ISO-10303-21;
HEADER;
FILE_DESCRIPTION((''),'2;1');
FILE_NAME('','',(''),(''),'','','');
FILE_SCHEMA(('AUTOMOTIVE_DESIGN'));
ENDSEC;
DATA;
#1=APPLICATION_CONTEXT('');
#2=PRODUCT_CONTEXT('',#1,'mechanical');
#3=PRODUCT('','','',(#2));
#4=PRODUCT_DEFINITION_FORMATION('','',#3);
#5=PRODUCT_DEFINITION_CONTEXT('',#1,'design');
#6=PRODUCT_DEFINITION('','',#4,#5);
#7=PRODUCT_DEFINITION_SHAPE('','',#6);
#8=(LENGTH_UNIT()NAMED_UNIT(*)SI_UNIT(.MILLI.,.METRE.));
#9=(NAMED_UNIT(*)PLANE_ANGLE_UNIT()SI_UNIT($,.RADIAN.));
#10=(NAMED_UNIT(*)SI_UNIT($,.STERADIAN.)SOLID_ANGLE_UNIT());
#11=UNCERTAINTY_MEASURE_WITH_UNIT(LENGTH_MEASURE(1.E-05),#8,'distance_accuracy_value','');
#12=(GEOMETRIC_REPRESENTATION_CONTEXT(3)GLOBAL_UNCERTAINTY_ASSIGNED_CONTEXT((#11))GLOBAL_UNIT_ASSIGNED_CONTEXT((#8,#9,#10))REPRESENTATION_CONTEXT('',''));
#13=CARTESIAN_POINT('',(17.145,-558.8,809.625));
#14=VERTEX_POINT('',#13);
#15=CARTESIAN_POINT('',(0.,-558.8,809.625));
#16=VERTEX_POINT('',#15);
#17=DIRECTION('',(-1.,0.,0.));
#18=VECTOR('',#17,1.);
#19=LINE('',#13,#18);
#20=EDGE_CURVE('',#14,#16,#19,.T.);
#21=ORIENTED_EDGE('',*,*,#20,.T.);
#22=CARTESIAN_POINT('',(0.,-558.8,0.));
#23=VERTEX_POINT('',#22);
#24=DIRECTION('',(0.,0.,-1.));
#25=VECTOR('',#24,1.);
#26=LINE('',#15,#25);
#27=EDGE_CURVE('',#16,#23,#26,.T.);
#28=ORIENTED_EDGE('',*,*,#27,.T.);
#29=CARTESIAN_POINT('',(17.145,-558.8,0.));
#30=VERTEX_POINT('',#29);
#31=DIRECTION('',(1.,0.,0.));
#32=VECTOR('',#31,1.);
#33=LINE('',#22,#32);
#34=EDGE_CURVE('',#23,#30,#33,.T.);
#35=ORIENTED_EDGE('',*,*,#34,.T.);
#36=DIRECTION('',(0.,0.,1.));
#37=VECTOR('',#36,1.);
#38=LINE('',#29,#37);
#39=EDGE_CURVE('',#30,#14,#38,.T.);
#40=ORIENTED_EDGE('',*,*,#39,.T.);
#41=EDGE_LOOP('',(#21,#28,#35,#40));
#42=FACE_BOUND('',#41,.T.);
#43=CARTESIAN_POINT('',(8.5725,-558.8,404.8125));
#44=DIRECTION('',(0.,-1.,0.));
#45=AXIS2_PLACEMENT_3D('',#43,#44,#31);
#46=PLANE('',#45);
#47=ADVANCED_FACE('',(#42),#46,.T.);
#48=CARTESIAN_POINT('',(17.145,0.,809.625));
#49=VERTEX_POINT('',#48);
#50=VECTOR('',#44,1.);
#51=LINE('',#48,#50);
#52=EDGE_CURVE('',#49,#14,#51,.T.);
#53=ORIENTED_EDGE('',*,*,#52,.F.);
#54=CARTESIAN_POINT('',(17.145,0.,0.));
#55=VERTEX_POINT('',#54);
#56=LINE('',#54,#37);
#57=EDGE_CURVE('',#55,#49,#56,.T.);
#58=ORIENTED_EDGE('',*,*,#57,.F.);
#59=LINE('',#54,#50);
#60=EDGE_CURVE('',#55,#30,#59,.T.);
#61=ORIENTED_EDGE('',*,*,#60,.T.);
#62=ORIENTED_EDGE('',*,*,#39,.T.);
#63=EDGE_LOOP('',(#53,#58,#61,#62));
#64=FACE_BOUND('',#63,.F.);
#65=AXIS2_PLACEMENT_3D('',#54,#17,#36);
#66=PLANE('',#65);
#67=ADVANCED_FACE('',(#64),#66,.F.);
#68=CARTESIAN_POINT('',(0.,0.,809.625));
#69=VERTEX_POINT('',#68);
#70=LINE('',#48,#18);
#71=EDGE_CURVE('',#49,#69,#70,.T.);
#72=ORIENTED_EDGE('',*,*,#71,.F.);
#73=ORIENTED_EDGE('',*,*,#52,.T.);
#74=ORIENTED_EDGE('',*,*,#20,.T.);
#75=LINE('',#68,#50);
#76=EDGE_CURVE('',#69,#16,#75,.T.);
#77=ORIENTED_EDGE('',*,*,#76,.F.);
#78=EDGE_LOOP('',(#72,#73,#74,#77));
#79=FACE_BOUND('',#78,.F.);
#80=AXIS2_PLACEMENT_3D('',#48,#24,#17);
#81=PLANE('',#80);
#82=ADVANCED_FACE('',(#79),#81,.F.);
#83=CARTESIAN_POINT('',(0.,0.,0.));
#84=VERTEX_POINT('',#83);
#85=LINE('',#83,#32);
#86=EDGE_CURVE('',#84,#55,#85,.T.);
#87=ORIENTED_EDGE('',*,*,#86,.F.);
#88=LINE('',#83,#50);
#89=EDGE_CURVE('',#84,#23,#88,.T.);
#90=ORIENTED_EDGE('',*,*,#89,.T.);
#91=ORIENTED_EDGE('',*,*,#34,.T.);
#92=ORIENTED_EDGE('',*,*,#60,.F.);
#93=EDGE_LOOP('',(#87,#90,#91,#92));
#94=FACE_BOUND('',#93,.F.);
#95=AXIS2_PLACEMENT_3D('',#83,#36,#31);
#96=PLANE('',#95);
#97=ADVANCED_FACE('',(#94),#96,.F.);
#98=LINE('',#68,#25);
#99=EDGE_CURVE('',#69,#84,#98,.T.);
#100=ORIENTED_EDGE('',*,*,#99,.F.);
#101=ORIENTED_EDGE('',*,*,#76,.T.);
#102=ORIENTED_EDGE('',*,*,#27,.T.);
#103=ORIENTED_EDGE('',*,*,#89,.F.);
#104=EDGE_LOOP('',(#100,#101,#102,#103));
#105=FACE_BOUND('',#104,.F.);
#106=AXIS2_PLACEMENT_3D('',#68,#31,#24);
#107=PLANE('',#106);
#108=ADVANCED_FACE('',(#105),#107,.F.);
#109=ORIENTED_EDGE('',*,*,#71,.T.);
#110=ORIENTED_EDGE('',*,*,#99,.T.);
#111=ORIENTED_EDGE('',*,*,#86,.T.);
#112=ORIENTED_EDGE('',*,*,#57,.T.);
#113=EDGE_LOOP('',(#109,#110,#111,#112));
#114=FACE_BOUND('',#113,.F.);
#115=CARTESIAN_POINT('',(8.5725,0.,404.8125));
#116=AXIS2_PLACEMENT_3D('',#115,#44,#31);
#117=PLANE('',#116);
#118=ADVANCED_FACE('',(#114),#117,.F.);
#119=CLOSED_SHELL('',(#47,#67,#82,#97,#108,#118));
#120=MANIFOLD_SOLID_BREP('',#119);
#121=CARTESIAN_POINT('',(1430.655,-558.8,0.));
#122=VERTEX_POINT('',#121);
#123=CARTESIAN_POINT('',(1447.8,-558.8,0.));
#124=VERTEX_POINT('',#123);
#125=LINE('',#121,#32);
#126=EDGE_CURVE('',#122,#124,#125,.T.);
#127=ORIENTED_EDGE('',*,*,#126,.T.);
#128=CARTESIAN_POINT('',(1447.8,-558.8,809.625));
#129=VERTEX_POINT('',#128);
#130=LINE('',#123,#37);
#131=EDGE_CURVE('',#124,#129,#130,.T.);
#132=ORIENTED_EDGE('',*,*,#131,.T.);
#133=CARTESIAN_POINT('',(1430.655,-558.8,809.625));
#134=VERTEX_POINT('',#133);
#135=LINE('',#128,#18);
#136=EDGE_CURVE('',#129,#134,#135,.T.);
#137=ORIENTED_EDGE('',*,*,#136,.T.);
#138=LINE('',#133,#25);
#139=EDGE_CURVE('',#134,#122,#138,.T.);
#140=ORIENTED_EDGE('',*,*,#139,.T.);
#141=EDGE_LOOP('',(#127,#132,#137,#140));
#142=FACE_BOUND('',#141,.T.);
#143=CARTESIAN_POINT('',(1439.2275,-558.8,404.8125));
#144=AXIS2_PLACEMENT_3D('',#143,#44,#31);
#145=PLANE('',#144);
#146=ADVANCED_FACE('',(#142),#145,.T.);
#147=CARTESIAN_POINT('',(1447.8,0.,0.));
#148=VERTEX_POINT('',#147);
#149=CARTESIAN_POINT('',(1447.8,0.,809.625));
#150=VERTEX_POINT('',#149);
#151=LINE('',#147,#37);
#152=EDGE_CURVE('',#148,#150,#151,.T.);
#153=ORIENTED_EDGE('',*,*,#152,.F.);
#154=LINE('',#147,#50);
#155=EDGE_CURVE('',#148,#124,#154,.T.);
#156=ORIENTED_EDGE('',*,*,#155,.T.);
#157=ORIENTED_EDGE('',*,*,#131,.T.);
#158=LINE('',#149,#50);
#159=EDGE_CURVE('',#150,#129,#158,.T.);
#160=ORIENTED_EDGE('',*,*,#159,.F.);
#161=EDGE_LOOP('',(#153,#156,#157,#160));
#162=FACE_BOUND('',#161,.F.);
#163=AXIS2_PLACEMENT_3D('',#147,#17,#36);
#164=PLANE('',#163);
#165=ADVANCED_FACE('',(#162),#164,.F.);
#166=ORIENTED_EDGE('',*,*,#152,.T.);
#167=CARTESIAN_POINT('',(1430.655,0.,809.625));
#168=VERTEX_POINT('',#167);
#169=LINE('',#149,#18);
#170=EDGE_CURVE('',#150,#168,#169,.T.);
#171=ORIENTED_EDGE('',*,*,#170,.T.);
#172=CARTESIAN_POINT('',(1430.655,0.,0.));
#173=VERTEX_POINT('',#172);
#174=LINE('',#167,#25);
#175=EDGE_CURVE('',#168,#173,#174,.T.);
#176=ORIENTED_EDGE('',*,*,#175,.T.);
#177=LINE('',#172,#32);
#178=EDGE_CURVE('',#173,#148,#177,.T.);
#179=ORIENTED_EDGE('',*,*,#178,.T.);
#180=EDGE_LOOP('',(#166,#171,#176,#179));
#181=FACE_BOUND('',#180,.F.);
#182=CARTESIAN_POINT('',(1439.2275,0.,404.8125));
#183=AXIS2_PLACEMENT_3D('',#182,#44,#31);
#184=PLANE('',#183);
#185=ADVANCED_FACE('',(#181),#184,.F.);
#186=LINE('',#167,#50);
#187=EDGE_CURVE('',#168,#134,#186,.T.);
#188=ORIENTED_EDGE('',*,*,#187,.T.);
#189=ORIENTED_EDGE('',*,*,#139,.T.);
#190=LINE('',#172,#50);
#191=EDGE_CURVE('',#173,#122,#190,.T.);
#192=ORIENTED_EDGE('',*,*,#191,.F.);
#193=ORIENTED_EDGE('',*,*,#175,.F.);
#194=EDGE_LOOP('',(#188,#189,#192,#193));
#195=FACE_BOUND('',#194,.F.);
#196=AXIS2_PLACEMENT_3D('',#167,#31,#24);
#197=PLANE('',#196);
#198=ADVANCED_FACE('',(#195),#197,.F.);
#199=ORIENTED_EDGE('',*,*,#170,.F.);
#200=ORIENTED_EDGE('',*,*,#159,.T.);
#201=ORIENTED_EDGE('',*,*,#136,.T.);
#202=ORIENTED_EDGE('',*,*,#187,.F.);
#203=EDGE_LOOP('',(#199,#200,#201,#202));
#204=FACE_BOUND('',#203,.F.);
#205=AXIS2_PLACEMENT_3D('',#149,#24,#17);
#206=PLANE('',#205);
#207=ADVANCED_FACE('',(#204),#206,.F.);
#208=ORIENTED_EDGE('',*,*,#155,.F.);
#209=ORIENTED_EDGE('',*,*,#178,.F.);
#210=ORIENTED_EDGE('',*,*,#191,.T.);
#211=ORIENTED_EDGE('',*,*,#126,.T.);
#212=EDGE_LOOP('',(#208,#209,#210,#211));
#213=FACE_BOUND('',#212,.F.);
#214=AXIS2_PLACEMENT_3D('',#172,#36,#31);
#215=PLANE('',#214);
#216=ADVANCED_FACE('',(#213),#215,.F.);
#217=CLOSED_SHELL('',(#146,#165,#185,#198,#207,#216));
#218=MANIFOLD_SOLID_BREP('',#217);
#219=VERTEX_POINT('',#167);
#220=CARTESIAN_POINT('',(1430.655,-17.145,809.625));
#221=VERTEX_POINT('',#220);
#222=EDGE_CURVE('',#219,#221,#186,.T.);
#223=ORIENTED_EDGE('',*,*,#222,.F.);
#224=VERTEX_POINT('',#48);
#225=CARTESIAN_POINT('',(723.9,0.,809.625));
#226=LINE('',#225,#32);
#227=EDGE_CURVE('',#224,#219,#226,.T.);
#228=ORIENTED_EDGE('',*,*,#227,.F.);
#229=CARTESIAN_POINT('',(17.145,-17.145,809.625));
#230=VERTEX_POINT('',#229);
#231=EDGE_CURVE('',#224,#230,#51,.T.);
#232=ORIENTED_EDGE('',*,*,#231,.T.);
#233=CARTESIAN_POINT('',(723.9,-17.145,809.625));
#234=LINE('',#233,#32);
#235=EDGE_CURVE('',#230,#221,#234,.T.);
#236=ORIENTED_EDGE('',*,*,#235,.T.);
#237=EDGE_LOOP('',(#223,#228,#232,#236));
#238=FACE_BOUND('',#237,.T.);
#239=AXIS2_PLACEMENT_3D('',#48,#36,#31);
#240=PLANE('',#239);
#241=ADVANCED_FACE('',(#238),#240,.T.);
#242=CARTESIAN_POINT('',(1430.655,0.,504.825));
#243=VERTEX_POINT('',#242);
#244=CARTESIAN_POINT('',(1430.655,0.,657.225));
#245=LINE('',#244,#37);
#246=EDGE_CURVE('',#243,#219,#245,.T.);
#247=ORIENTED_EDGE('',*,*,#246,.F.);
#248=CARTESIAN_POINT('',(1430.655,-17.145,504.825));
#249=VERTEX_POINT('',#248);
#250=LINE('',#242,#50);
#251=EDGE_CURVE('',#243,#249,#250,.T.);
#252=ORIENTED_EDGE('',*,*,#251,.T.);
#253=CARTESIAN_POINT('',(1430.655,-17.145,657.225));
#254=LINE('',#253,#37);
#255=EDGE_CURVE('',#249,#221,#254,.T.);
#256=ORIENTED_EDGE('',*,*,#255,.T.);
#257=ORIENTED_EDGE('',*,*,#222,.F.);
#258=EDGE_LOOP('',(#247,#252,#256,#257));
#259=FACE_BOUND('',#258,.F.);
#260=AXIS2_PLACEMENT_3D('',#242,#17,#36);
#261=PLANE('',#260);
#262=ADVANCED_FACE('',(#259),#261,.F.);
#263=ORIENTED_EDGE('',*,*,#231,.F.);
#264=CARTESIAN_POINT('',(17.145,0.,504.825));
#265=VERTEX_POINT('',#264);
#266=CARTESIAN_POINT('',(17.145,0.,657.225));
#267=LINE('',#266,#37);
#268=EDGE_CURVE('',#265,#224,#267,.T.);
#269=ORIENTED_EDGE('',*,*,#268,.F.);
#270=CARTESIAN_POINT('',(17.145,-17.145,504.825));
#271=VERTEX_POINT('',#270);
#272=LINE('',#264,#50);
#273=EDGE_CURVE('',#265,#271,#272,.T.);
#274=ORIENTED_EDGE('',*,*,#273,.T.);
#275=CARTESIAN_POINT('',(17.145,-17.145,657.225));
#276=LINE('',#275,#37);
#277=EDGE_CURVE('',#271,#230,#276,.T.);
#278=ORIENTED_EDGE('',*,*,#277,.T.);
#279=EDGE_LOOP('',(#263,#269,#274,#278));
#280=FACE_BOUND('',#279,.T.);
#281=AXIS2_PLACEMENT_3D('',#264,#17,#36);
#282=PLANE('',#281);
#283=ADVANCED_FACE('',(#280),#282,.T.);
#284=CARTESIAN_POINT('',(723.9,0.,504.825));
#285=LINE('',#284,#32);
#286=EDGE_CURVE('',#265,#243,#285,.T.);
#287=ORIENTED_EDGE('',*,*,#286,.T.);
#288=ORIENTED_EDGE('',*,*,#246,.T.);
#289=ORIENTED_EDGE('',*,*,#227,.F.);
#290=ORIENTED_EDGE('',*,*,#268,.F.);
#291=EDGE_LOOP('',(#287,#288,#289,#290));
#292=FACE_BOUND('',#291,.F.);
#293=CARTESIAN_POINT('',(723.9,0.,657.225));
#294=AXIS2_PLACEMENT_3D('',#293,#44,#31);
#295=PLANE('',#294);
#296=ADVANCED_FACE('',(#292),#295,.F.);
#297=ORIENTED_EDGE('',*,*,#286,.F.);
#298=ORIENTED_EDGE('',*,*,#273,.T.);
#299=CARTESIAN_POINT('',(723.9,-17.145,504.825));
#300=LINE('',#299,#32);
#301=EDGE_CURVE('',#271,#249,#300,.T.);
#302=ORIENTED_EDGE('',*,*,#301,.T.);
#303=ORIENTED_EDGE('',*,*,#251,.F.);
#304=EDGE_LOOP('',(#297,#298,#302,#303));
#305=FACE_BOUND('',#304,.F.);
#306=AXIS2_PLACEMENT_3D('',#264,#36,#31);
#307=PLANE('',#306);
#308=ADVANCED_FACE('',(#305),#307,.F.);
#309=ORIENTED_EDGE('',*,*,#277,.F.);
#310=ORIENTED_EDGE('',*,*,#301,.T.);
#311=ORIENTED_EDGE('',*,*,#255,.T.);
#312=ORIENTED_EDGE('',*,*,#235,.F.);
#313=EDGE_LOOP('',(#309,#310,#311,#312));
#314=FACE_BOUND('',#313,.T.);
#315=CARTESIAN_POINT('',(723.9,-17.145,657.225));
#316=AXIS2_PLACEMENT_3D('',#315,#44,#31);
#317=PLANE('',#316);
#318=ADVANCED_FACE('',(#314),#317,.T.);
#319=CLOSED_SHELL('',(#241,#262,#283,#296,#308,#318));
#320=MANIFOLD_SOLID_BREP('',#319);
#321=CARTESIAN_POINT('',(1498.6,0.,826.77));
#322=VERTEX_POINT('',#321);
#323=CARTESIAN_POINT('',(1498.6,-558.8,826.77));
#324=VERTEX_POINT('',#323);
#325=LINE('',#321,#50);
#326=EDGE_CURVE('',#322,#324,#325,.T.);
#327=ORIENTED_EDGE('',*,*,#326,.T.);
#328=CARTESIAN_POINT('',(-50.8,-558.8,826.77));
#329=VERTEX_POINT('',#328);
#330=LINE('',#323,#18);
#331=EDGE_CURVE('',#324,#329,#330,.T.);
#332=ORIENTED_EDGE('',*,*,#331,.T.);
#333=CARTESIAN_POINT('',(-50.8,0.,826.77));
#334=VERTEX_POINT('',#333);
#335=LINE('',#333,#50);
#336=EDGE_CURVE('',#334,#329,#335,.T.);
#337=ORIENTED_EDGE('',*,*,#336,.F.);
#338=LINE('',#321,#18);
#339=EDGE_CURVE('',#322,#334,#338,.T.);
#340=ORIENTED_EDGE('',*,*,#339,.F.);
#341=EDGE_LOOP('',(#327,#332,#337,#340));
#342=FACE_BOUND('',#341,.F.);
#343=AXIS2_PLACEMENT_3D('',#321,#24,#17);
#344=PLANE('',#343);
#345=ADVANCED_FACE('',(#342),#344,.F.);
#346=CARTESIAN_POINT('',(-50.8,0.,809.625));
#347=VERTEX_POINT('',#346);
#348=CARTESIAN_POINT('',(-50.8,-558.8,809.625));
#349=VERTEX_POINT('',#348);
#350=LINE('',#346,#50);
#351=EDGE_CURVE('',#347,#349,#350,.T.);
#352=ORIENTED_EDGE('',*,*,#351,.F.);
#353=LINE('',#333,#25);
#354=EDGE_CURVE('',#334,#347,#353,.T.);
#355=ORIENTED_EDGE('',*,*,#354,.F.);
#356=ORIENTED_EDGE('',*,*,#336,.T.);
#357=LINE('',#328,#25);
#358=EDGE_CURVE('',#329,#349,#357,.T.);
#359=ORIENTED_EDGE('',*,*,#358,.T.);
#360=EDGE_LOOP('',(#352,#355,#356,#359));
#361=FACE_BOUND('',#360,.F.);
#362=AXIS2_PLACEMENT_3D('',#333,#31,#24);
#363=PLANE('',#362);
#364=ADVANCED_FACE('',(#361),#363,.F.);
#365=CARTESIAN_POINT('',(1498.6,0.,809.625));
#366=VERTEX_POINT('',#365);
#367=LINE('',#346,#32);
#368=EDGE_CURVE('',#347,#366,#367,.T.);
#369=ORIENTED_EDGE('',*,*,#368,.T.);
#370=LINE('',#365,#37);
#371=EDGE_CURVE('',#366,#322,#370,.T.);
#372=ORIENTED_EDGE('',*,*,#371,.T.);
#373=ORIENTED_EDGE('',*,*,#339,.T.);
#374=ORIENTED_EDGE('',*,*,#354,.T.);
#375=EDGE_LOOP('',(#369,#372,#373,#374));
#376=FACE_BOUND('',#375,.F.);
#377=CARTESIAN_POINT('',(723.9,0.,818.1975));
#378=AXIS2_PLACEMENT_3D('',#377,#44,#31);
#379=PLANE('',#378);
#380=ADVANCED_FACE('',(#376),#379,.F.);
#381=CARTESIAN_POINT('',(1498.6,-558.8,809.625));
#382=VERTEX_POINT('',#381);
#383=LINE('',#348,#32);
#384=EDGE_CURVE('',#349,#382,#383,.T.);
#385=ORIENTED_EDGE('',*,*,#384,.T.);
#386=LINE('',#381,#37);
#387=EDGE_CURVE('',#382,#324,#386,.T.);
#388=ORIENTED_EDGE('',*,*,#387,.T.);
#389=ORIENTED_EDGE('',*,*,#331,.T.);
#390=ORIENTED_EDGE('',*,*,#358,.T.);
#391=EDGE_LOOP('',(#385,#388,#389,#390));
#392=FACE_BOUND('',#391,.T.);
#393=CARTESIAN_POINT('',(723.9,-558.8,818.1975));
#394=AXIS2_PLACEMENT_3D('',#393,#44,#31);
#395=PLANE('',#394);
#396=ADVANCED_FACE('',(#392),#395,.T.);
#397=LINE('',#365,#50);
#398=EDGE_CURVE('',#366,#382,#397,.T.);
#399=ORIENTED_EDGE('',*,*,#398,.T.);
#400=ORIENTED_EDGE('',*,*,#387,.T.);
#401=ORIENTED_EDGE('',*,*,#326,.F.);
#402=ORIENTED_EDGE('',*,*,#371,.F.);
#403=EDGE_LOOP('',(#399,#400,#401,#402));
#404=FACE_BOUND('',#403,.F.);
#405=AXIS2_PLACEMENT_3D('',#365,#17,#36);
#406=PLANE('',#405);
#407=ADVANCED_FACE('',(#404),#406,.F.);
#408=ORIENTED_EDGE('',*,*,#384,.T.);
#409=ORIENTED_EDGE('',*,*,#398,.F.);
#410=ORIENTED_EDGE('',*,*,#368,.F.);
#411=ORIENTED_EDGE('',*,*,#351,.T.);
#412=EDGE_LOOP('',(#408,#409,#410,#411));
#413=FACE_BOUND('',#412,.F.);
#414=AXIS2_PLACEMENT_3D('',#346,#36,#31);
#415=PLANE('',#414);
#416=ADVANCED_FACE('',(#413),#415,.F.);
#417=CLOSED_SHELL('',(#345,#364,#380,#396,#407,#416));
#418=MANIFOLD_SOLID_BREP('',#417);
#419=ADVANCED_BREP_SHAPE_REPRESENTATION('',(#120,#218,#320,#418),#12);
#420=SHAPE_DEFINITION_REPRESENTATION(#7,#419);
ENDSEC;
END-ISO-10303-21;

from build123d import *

# Parameters (mm, degrees)
F1_DEPTH = 558.8
F2_DEPTH = 558.8
F3_DEPTH = 558.8
F0_W     = 1413.51
F0_H     = 304.8
F4_DEPTH = 17.145


with BuildPart() as f1:
    # F0 (on Front) → F1 (new body)
    with BuildSketch(Plane.XZ):
        Polygon((0, 809.625), (0, 0), (17.145, 0), (17.145, 504.825), (17.145, 809.625), align=None)
    extrude(amount=F1_DEPTH)


with BuildPart() as f2:
    # F0 (on Front) → F2 (new body)
    with BuildSketch(Plane.XZ):
        Polygon((-50.8, 809.625), (0, 809.625), (17.145, 809.625), (1430.655, 809.625), (1447.8, 809.625), (1498.6, 809.625), (1498.6, 826.77), (-50.8, 826.77), align=None)
    extrude(amount=F2_DEPTH)


with BuildPart() as f3:
    # F0 (on Front) → F3 (new body)
    with BuildSketch(Plane.XZ):
        Polygon((1430.655, 809.625), (1430.655, 504.825), (1430.655, 0), (1447.8, 0), (1447.8, 809.625), align=None)
    extrude(amount=F3_DEPTH)


with BuildPart() as f4:
    # F0 (on Front) → F4 (new body)
    with BuildSketch(Plane.XZ):
        with Locations((723.9, 657.225)):
            Rectangle(F0_W, F0_H)
    extrude(amount=F4_DEPTH)


solid = Compound([f1.part, f2.part, f3.part, f4.part])
